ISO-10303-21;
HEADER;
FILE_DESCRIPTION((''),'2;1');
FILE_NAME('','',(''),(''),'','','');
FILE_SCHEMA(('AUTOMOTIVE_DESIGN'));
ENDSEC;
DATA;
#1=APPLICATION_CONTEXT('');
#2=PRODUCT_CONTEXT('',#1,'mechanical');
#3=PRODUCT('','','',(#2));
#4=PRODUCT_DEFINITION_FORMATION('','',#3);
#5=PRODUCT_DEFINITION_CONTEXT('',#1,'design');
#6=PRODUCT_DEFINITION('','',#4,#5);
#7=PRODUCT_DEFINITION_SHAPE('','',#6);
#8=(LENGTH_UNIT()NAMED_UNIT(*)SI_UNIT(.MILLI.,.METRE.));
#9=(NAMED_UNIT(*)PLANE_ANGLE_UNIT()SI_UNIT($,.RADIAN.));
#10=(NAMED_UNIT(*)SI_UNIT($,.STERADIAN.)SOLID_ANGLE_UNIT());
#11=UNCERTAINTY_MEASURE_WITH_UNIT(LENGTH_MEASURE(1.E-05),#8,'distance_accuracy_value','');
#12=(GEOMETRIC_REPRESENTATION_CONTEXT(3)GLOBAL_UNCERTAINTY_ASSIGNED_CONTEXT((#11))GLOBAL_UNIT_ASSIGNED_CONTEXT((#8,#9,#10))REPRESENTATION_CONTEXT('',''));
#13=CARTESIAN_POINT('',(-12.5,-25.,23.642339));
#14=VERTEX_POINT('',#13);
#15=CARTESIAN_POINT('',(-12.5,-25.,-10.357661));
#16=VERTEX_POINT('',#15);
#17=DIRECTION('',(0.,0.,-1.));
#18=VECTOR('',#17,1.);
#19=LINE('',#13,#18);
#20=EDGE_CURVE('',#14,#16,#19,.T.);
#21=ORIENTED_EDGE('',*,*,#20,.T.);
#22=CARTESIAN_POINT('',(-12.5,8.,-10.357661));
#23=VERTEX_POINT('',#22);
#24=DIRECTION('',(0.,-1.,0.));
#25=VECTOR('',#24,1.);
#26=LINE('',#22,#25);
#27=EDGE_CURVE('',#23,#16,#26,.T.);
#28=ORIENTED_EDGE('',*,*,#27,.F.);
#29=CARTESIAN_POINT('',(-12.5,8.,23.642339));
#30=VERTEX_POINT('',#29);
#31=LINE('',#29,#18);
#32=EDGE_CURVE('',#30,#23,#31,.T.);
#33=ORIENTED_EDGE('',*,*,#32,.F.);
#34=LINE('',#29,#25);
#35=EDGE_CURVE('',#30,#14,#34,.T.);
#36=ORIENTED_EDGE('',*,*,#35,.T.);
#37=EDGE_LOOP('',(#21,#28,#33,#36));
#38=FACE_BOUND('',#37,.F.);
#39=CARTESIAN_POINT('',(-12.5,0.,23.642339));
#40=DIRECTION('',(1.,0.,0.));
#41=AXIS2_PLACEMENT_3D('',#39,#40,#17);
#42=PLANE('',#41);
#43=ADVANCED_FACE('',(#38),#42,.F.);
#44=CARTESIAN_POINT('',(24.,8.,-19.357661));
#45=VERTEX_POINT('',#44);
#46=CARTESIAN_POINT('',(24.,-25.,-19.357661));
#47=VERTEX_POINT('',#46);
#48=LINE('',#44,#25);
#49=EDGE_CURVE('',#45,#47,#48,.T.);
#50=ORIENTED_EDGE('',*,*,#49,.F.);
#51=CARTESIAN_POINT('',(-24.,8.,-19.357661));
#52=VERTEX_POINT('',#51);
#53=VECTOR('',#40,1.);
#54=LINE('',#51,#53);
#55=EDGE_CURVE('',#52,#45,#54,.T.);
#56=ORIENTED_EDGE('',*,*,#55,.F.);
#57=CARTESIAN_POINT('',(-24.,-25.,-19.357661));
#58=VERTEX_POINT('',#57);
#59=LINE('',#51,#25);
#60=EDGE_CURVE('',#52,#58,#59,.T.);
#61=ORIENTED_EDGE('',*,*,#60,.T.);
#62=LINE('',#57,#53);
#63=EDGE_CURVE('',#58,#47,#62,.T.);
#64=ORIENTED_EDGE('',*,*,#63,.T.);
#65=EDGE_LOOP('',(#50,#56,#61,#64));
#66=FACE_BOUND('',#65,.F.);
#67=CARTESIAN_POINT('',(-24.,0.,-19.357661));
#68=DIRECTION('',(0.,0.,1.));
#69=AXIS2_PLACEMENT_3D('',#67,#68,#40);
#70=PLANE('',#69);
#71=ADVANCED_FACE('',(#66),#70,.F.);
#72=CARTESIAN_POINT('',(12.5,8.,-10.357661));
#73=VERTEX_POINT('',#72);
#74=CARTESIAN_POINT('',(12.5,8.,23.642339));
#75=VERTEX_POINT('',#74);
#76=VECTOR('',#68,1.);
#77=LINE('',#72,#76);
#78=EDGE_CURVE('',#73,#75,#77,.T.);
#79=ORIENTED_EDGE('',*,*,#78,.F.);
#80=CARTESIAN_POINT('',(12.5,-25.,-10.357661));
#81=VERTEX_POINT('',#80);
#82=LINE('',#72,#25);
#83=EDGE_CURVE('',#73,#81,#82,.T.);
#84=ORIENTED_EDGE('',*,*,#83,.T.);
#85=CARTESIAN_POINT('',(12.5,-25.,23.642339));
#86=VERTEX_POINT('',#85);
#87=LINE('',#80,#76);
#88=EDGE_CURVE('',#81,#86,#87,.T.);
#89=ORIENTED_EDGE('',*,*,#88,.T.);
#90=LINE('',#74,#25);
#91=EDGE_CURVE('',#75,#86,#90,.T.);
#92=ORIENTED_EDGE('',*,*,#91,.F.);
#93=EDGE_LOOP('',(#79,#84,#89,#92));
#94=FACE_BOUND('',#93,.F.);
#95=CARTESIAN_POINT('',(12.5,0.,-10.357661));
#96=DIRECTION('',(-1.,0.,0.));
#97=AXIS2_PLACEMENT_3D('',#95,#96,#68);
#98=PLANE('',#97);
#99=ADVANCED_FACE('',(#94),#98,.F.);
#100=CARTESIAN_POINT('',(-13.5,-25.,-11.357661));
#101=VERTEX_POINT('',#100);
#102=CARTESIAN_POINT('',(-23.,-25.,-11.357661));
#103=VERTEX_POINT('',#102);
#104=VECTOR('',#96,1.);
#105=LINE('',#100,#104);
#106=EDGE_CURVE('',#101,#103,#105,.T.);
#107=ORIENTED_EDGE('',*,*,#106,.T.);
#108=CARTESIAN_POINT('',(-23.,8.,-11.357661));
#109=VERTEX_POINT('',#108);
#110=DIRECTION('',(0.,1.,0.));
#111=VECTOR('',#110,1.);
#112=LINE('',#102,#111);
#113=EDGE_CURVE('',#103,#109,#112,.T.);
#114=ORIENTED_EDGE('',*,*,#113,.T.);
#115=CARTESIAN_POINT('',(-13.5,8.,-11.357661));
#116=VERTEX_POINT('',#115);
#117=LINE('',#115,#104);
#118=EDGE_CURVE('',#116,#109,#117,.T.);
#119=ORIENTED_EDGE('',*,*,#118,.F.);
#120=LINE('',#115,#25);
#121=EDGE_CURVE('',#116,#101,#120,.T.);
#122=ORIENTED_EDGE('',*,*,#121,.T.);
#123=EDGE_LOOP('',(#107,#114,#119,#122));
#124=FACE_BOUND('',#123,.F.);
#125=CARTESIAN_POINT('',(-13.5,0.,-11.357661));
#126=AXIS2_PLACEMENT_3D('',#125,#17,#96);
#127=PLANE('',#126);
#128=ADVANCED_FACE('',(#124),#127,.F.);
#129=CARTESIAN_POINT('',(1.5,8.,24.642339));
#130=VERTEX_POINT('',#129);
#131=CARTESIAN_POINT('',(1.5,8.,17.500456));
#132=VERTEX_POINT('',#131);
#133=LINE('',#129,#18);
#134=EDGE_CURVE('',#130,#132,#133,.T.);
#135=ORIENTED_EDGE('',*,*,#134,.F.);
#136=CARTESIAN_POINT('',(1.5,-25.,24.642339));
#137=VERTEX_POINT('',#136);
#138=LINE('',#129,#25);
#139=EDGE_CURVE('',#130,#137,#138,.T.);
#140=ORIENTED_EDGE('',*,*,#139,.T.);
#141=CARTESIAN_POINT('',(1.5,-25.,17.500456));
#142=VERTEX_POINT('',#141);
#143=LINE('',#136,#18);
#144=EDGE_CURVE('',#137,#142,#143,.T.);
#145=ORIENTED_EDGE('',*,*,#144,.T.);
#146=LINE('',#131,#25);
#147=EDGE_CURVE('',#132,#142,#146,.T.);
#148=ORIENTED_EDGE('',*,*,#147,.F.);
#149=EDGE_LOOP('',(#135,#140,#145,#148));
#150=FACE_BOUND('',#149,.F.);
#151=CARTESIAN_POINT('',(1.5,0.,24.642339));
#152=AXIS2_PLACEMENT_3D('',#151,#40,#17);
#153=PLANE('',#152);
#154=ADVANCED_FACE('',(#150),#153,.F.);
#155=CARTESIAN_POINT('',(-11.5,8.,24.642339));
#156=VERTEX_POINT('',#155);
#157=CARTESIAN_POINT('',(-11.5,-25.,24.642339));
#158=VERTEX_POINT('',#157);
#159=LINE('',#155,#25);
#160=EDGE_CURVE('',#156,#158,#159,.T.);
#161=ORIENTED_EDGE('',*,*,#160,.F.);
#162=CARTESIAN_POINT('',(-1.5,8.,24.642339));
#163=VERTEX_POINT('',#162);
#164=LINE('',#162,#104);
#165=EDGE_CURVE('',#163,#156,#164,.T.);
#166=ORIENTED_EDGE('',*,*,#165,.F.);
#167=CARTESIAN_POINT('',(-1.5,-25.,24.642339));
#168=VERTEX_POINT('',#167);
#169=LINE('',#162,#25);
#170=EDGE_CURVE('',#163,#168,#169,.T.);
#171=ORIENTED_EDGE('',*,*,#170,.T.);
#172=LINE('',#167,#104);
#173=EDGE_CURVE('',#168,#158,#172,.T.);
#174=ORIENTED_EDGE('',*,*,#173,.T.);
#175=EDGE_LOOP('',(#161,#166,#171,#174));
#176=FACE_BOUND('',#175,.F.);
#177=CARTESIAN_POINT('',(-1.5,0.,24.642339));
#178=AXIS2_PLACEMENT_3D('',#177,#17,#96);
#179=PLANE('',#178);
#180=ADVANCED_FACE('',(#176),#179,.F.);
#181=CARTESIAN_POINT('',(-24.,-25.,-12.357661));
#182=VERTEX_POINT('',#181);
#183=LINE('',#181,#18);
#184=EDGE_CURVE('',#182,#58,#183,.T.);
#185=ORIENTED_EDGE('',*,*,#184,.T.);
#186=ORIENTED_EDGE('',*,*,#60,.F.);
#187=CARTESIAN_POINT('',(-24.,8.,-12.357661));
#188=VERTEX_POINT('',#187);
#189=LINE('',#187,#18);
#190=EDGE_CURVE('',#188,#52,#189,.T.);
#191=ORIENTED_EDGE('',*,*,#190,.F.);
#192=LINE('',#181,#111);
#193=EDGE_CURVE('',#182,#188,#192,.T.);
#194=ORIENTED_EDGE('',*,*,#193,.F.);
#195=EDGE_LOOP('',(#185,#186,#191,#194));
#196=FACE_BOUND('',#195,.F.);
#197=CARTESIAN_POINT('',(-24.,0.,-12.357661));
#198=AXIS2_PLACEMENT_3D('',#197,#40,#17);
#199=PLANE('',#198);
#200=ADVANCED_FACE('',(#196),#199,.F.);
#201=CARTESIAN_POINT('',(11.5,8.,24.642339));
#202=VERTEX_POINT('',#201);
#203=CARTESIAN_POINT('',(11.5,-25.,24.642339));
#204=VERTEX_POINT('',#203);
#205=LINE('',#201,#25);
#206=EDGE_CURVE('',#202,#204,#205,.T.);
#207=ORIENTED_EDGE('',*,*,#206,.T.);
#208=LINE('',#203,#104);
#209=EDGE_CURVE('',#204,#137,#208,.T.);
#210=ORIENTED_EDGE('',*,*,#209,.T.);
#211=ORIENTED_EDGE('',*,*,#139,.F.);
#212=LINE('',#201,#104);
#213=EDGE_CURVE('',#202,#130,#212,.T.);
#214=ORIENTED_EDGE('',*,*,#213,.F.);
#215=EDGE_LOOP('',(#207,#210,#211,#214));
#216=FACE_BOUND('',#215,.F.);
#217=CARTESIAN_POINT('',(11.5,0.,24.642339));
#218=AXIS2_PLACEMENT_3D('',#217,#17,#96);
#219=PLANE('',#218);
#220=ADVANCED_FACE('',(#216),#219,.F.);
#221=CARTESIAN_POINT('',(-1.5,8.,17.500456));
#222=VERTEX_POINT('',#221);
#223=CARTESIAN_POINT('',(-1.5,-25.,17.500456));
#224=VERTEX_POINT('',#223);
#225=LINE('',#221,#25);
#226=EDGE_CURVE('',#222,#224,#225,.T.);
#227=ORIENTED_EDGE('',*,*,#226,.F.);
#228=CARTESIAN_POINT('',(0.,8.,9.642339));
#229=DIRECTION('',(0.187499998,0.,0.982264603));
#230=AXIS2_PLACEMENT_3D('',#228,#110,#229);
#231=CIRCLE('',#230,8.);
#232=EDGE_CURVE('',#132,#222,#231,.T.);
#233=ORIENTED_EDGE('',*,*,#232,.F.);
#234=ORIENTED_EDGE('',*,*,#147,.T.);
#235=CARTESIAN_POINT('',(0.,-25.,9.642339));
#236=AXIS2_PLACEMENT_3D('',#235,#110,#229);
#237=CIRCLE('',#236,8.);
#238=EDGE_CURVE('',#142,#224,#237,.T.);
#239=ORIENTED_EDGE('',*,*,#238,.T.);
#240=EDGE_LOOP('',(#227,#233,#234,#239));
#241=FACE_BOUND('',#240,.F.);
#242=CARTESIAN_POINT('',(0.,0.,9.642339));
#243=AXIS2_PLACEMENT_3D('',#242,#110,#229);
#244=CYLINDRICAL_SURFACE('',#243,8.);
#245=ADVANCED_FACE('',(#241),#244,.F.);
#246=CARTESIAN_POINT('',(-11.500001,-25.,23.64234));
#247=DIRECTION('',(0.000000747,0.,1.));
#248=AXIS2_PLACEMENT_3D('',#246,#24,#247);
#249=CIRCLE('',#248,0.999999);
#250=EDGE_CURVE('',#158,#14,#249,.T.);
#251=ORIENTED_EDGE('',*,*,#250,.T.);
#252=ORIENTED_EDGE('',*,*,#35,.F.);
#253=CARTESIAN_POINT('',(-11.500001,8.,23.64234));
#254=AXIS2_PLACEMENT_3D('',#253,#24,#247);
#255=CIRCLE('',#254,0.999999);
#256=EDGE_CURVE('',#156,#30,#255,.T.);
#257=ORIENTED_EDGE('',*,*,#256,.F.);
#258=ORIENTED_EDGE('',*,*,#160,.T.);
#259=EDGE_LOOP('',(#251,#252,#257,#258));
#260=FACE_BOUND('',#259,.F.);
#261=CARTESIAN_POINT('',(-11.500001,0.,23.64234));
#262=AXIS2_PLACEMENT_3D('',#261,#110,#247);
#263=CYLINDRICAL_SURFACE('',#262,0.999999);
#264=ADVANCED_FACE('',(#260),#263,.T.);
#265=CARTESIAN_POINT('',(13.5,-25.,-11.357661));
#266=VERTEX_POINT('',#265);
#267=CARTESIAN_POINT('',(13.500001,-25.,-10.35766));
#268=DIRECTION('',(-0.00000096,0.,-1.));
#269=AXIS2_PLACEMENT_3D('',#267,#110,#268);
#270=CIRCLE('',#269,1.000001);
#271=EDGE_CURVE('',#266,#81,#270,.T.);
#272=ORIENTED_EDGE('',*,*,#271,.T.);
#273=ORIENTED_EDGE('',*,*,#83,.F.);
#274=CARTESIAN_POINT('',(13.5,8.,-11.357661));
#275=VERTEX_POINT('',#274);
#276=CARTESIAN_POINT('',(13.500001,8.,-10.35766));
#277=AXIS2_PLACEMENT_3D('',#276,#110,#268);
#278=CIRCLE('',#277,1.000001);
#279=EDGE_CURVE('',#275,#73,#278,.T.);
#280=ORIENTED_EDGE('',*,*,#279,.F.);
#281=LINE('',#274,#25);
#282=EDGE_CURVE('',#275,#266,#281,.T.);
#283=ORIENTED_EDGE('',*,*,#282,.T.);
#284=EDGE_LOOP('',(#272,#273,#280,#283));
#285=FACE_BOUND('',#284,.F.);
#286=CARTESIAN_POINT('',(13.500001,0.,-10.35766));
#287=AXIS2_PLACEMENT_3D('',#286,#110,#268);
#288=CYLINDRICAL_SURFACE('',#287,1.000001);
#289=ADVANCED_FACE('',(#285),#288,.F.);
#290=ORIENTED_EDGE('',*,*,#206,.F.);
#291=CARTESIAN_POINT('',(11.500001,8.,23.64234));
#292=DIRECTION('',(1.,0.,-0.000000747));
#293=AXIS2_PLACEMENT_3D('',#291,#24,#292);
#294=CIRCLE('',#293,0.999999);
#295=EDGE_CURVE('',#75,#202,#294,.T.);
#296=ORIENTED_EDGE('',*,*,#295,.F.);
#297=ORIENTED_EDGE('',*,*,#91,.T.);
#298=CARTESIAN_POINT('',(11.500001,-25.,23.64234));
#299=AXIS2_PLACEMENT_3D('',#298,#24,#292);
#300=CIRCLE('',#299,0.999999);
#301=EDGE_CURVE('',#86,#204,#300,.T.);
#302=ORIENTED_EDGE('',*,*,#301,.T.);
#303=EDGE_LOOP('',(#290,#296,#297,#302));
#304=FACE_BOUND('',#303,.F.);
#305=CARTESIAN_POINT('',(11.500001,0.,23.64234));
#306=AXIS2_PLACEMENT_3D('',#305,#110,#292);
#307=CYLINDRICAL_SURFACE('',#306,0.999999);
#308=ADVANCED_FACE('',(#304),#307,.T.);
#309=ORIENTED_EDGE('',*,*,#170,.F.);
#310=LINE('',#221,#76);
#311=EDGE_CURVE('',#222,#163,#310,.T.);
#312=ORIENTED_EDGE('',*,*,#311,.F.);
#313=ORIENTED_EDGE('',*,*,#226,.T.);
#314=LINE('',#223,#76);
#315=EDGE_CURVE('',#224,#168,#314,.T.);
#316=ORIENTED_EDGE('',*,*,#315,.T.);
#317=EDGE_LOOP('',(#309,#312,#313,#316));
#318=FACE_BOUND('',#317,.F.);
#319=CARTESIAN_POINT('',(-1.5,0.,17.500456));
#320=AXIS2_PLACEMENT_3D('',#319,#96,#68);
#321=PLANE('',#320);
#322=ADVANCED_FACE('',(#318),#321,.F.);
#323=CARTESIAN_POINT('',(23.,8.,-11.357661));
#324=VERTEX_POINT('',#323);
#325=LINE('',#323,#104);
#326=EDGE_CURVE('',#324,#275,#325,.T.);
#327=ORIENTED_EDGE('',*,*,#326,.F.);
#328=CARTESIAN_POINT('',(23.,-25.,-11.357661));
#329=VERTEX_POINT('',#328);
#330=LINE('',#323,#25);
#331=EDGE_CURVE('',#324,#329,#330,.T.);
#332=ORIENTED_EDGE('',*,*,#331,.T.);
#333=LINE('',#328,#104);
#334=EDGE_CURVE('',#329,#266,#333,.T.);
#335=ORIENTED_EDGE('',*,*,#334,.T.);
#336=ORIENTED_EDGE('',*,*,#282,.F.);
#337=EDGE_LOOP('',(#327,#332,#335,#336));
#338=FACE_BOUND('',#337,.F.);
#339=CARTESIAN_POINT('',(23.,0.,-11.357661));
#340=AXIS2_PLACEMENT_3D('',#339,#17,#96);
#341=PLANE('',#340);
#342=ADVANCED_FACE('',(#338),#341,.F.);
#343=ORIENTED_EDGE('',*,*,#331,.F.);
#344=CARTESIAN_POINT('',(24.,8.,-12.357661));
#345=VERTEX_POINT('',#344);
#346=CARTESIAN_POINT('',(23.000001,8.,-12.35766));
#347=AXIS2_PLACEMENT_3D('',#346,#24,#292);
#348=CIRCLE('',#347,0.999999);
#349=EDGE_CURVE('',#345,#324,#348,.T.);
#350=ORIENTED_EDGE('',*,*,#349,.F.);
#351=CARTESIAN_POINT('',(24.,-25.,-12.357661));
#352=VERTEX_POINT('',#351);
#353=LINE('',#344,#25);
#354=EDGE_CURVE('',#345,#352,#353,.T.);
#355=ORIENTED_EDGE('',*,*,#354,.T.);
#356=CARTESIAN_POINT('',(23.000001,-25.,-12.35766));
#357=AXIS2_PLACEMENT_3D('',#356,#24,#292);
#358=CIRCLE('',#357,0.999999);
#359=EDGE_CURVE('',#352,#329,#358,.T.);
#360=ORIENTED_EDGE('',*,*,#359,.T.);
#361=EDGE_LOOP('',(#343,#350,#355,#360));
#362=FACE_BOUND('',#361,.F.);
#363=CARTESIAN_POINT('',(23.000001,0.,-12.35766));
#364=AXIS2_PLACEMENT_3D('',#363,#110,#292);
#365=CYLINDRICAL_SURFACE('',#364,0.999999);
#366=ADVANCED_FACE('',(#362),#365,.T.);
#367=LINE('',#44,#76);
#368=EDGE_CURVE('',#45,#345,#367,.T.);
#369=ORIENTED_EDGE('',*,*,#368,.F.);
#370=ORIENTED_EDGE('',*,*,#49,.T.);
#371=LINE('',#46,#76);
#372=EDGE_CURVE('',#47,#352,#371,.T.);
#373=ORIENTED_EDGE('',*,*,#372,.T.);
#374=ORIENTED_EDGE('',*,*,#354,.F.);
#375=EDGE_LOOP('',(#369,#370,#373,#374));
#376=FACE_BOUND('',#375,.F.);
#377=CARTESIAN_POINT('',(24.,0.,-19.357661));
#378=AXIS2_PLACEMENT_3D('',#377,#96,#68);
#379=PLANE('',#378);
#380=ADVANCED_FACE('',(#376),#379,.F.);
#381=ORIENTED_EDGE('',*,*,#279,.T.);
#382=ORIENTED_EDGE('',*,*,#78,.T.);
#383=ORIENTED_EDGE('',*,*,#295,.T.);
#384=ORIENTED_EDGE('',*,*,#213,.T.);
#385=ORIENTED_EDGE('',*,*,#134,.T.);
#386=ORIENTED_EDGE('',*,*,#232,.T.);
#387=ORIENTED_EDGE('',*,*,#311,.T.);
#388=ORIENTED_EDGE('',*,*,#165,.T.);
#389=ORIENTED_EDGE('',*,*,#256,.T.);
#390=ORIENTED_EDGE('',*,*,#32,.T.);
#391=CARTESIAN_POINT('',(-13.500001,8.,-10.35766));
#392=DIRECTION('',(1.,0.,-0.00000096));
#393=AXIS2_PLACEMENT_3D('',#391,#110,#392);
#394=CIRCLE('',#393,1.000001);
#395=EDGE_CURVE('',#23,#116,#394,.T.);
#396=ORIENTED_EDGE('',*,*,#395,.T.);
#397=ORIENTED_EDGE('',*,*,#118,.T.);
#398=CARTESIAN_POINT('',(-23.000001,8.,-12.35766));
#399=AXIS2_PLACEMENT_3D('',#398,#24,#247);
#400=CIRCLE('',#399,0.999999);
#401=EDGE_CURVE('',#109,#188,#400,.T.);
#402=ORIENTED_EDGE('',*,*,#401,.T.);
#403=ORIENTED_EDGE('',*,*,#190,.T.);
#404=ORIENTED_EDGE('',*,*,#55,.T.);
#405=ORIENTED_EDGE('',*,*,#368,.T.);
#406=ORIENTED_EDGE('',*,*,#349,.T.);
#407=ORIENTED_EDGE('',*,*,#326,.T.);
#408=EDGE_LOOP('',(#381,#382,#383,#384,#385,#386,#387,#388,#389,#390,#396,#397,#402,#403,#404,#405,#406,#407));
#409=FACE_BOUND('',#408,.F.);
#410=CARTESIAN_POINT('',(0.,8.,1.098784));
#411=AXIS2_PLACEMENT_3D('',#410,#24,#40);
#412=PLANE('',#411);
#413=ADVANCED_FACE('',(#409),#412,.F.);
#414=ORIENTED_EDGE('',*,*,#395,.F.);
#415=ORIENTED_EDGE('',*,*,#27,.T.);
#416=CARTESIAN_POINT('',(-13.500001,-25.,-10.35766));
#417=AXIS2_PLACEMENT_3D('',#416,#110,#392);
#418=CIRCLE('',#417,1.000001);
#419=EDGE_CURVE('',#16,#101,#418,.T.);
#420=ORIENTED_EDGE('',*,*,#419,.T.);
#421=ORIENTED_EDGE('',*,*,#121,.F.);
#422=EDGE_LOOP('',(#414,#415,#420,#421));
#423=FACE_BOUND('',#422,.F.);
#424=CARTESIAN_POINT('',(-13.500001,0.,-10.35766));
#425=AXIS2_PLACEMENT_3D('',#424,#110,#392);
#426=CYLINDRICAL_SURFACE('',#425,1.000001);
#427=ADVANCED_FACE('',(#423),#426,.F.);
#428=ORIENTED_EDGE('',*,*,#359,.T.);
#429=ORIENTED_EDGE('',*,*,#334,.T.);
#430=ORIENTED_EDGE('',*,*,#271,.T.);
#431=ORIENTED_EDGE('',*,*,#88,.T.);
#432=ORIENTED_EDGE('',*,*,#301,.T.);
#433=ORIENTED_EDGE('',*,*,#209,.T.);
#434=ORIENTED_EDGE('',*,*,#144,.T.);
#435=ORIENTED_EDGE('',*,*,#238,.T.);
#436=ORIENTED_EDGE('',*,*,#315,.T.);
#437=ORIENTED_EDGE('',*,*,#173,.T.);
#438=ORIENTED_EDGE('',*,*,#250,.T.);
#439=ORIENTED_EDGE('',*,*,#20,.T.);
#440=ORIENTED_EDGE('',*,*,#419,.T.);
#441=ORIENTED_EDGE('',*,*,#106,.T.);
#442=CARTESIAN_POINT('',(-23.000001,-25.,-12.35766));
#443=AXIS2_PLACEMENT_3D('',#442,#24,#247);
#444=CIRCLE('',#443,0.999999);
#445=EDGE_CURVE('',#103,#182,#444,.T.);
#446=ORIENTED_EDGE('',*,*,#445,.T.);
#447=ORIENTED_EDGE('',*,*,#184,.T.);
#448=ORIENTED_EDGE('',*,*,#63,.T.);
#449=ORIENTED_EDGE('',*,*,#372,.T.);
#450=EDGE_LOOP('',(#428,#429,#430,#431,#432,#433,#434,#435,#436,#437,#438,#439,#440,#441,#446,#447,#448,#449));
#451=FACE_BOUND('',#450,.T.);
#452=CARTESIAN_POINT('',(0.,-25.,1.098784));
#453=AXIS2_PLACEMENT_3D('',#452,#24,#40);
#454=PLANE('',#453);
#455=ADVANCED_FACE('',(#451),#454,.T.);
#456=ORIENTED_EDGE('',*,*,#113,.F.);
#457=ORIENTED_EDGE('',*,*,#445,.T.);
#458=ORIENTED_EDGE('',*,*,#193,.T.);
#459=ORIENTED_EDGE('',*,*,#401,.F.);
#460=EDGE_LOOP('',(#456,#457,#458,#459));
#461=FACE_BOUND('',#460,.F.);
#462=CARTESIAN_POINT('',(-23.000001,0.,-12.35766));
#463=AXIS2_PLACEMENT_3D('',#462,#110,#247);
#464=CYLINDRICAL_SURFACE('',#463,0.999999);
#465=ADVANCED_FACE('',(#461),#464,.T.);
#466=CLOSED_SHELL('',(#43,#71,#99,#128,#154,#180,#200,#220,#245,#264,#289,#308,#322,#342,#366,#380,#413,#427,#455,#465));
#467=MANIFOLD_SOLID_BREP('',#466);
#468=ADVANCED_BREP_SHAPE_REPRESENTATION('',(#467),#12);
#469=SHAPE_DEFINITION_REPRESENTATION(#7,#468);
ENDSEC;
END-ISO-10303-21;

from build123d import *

# Parameters (mm, degrees)
F1_DEPTH = 8
F2_DEPTH = 25


with BuildPart() as f1:
    # F0 (on Front) → F1 (new body, symmetric)
    with BuildSketch(Plane.XZ):
        with BuildLine():
            Line((-24, -12.357661), (-24, -19.357661))
            Line((-24, -19.357661), (24, -19.357661))
            Line((24, -19.357661), (24, -12.357661))
            ThreePointArc((24, -12.357661), (23.707107, -11.650554), (23, -11.357661))
            Line((23, -11.357661), (13.5, -11.357661))
            ThreePointArc((13.5, -11.357661), (12.792893, -11.064767), (12.5, -10.357661))
            Line((12.5, -10.357661), (12.5, 23.642339))
            ThreePointArc((12.5, 23.642339), (12.207107, 24.349446), (11.5, 24.642339))
            Line((11.5, 24.642339), (1.5, 24.642339))
            Line((1.5, 24.642339), (1.5, 17.500456))
            ThreePointArc((1.5, 17.500456), (0, 1.642339), (-1.5, 17.500456))
            Line((-1.5, 17.500456), (-1.5, 24.642339))
            Line((-1.5, 24.642339), (-11.5, 24.642339))
            ThreePointArc((-11.5, 24.642339), (-12.207107, 24.349446), (-12.5, 23.642339))
            Line((-12.5, 23.642339), (-12.5, -10.357661))
            ThreePointArc((-12.5, -10.357661), (-12.792893, -11.064767), (-13.5, -11.357661))
            Line((-13.5, -11.357661), (-23, -11.357661))
            ThreePointArc((-23, -11.357661), (-23.707107, -11.650554), (-24, -12.357661))
        make_face()
    extrude(amount=F1_DEPTH, both=True)

    # F0 (on Front) → F2 (join)
    with BuildSketch(Plane.XZ):
        with BuildLine():
            Line((-24, -12.357661), (-24, -19.357661))
            Line((-24, -19.357661), (24, -19.357661))
            Line((24, -19.357661), (24, -12.357661))
            ThreePointArc((24, -12.357661), (23.707107, -11.650554), (23, -11.357661))
            Line((23, -11.357661), (13.5, -11.357661))
            ThreePointArc((13.5, -11.357661), (12.792893, -11.064767), (12.5, -10.357661))
            Line((12.5, -10.357661), (12.5, 23.642339))
            ThreePointArc((12.5, 23.642339), (12.207107, 24.349446), (11.5, 24.642339))
            Line((11.5, 24.642339), (1.5, 24.642339))
            Line((1.5, 24.642339), (1.5, 17.500456))
            ThreePointArc((1.5, 17.500456), (0, 1.642339), (-1.5, 17.500456))
            Line((-1.5, 17.500456), (-1.5, 24.642339))
            Line((-1.5, 24.642339), (-11.5, 24.642339))
            ThreePointArc((-11.5, 24.642339), (-12.207107, 24.349446), (-12.5, 23.642339))
            Line((-12.5, 23.642339), (-12.5, -10.357661))
            ThreePointArc((-12.5, -10.357661), (-12.792893, -11.064767), (-13.5, -11.357661))
            Line((-13.5, -11.357661), (-23, -11.357661))
            ThreePointArc((-23, -11.357661), (-23.707107, -11.650554), (-24, -12.357661))
        make_face()
    extrude(amount=F2_DEPTH)


solid = f1.part
